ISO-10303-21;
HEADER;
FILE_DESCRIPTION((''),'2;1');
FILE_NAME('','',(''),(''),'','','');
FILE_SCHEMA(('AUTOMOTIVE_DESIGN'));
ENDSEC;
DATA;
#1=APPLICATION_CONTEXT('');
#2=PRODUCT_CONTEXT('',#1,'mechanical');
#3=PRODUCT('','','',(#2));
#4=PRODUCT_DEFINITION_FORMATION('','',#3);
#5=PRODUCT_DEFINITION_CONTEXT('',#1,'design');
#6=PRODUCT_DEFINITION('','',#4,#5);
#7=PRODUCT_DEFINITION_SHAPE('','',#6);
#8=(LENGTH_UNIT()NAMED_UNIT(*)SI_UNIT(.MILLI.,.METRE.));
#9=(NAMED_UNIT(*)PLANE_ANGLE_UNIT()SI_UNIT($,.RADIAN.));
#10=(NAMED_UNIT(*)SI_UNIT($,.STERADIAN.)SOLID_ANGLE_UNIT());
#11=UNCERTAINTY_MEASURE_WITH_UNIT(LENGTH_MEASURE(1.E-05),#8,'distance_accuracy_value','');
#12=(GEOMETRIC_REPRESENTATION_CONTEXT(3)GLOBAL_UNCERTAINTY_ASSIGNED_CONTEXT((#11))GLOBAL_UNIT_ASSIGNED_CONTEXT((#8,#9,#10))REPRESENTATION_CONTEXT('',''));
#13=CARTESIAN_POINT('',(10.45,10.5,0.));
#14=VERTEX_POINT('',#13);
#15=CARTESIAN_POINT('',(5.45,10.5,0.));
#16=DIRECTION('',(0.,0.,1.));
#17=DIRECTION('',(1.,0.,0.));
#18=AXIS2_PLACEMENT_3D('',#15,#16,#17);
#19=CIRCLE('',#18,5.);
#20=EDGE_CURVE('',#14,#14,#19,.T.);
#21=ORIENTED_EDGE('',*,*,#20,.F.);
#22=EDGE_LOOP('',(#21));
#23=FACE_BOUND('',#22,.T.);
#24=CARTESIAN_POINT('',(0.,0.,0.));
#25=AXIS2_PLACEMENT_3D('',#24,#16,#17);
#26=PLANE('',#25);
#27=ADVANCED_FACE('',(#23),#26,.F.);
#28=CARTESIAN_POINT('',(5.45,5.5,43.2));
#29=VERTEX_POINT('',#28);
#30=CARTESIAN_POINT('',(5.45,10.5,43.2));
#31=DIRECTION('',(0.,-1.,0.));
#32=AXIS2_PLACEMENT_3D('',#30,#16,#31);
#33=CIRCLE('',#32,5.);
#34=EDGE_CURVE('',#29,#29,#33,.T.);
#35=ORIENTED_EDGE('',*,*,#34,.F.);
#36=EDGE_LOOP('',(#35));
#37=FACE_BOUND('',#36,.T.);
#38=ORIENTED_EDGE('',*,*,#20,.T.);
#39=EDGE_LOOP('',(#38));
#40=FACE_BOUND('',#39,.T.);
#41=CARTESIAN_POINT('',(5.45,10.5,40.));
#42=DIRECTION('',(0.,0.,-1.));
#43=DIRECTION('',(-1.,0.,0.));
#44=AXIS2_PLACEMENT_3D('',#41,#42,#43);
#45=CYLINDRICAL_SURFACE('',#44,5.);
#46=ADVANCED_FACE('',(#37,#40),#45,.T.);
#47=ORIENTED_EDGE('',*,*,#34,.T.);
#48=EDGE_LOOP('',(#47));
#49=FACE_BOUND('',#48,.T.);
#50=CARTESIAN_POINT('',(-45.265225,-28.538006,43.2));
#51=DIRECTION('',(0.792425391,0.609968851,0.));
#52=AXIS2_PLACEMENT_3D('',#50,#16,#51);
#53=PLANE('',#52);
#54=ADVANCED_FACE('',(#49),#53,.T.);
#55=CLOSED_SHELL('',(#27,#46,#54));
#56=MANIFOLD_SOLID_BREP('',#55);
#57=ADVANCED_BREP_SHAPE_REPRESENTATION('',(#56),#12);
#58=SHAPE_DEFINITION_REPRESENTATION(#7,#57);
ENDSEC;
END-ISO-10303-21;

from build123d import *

# Parameters (mm, degrees)
EXTRUDE_1_DEPTH = 40
SKETCH_3_R      = 5
EXTRUDE_2_DEPTH = 3.2


with BuildPart() as part:
    # 草图2 → 凸台-拉伸1 (new body)
    with BuildSketch(Plane.XY):
        with BuildLine():
            Line((3.612202405, 15.15), (7.287797595, 15.15))
            ThreePointArc((7.287797595, 15.15), (5.45, 15.5), (3.612202405, 15.15))
        make_face()
        with BuildLine():
            ThreePointArc((10.45, 10.5), (9.584548825, 13.31167317), (7.287797595, 15.15))
            Line((7.287797595, 15.15), (3.612202405, 15.15))
            ThreePointArc((3.612202405, 15.15), (2.63832683, 6.365451175), (10.45, 10.5))
        make_face()
    extrude(amount=EXTRUDE_1_DEPTH)

    # 草图3 → 凸台-拉伸2 (add)
    with BuildSketch(Plane.XY.offset(40)):
        with Locations(Location((5.45, 10.5, 0), (0, 0, 270))):
            Circle(SKETCH_3_R)
    extrude(amount=EXTRUDE_2_DEPTH)


solid = part.part
